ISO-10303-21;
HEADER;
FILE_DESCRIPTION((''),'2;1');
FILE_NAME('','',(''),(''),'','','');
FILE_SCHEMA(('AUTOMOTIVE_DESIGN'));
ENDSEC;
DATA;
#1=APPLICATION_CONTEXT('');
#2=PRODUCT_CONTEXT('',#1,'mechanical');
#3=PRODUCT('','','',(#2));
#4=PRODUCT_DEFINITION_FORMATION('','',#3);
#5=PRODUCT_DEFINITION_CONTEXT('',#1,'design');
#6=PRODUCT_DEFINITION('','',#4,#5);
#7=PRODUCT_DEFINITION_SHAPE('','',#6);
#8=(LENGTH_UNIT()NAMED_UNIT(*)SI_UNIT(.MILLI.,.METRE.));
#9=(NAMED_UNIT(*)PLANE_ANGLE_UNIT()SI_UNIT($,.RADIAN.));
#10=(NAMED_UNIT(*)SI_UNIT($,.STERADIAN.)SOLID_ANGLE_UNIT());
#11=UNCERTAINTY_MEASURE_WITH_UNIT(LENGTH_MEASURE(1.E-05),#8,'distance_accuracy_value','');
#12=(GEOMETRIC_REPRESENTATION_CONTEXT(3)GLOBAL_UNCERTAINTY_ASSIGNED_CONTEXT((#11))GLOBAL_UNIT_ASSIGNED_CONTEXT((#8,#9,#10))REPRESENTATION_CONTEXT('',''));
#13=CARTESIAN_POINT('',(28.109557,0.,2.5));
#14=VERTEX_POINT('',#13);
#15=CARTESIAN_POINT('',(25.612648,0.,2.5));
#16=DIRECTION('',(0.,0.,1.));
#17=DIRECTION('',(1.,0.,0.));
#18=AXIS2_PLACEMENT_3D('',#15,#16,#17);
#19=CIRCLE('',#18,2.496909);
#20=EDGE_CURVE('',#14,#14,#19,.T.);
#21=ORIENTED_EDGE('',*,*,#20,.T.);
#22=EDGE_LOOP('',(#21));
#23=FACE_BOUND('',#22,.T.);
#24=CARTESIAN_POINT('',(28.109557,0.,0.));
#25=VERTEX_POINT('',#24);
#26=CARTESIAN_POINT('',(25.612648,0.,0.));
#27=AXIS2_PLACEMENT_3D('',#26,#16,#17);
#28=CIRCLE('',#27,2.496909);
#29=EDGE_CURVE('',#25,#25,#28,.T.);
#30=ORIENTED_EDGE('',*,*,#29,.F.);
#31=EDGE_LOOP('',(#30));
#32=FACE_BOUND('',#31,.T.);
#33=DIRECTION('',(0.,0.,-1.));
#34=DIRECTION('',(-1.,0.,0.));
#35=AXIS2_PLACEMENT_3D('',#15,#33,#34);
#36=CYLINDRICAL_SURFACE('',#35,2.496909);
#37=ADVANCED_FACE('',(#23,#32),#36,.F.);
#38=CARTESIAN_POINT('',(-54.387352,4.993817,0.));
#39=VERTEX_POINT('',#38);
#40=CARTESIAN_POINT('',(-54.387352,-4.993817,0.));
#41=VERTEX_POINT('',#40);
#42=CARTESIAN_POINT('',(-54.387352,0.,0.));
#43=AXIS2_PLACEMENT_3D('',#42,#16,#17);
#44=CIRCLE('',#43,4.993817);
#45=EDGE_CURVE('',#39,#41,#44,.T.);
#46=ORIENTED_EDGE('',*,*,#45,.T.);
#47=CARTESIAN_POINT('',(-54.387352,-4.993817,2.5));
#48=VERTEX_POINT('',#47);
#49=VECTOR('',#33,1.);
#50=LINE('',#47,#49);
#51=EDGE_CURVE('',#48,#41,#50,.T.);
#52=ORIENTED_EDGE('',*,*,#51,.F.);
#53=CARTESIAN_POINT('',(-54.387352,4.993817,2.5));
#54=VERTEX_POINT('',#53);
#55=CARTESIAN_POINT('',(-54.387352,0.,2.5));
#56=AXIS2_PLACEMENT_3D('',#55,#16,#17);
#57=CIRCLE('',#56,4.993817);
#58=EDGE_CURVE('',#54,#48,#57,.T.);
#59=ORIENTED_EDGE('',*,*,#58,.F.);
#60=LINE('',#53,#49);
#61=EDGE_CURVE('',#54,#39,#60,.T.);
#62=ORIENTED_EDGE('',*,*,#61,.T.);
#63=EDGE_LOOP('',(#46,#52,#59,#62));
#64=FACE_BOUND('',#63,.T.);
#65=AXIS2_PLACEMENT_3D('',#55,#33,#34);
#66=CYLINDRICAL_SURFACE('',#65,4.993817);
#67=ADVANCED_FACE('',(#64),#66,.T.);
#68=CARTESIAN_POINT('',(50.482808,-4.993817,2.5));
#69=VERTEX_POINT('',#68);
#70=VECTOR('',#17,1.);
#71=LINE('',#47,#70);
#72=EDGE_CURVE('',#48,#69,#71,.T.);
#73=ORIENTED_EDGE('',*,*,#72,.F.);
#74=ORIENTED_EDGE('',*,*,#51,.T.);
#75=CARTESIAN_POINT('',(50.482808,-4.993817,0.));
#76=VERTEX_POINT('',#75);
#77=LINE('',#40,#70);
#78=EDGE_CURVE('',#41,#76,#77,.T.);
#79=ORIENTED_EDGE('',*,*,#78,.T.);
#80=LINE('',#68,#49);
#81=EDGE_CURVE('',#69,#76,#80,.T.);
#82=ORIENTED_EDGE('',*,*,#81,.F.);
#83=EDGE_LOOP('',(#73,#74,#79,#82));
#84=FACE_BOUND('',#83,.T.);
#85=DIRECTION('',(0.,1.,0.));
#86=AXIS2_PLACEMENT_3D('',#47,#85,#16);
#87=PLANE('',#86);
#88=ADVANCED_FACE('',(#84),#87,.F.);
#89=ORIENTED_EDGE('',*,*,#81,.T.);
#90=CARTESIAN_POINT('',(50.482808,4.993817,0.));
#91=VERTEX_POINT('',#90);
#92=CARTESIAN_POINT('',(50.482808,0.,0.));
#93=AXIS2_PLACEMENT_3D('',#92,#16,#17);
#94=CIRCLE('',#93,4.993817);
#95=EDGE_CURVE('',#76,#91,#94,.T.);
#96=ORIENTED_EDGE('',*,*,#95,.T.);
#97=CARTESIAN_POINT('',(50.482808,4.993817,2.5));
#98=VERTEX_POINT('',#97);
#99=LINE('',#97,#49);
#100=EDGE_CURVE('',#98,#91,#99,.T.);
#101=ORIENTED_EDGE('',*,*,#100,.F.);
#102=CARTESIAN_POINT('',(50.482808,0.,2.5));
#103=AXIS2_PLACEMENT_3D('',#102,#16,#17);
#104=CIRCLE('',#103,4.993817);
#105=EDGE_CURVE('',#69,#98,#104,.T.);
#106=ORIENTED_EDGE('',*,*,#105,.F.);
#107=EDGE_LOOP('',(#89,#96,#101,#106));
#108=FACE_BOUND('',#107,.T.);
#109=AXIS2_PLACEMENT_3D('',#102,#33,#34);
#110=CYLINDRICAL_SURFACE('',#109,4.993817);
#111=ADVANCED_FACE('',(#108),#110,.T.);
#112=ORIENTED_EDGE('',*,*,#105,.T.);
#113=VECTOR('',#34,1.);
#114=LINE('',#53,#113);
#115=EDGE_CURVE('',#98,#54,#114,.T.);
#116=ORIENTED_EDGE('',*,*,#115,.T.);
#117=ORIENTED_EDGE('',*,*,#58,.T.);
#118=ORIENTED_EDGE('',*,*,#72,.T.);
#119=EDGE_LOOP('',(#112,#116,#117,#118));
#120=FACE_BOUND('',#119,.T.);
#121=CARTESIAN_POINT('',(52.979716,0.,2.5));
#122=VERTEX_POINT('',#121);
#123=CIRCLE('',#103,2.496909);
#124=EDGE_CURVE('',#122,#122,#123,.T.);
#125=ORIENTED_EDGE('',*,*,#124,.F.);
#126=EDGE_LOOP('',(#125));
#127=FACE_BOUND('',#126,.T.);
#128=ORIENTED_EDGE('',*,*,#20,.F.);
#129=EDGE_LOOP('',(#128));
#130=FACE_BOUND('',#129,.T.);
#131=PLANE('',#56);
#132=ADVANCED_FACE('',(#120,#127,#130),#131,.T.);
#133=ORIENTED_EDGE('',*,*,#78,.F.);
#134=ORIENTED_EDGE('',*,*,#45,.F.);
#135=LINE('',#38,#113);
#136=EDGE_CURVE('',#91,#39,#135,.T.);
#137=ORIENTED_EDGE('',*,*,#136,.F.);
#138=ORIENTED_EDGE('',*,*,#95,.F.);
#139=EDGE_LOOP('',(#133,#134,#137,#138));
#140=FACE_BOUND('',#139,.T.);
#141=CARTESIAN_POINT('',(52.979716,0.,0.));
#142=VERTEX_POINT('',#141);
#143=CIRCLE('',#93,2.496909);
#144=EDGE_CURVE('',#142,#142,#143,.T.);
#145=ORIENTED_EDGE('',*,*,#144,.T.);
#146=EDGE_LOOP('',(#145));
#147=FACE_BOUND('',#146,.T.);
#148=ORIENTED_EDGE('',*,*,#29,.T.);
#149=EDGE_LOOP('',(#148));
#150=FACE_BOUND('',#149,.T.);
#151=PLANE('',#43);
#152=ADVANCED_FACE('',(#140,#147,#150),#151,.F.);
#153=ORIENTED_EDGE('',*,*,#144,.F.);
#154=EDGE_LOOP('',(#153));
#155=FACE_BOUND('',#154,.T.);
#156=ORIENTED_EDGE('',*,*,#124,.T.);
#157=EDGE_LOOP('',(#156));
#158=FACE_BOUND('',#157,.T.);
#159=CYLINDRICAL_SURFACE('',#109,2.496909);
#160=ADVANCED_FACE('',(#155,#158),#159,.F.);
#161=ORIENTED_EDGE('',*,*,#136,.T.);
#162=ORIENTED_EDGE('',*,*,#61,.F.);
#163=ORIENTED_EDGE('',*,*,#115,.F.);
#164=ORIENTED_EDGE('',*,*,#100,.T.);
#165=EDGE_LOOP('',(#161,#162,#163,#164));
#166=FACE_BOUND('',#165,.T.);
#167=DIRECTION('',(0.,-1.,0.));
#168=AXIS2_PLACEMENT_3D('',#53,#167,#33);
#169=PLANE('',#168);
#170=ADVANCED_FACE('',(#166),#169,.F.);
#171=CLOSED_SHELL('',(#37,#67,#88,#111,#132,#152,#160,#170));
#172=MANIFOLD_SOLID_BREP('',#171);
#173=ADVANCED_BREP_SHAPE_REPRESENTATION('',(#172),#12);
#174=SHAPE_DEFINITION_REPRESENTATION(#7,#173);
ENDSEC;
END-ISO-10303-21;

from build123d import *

# Parameters (mm, degrees)
SKETCH1_R           = 2.49690856
BOSS_EXTRUDE1_DEPTH = 2.5


with BuildPart() as part:
    # Sketch1 → Boss-Extrude1 (new body)
    with BuildSketch(Plane.XY):
        with BuildLine():
            Line((-54.387351779, 4.99381712), (50.48280775, 4.99381712))
            ThreePointArc((50.48280775, 4.99381712), (55.476624871, 0), (50.48280775, -4.99381712))
            Line((50.48280775, -4.99381712), (-54.387351779, -4.99381712))
            ThreePointArc((-54.387351779, -4.99381712), (-59.381168899, 0), (-54.387351779, 4.99381712))
        make_face()
        with Locations((50.48280775, 0)):
            Circle(SKETCH1_R, mode=Mode.SUBTRACT)
        with Locations((25.612648221, 0)):
            Circle(SKETCH1_R, mode=Mode.SUBTRACT)
    extrude(amount=BOSS_EXTRUDE1_DEPTH)


solid = part.part
